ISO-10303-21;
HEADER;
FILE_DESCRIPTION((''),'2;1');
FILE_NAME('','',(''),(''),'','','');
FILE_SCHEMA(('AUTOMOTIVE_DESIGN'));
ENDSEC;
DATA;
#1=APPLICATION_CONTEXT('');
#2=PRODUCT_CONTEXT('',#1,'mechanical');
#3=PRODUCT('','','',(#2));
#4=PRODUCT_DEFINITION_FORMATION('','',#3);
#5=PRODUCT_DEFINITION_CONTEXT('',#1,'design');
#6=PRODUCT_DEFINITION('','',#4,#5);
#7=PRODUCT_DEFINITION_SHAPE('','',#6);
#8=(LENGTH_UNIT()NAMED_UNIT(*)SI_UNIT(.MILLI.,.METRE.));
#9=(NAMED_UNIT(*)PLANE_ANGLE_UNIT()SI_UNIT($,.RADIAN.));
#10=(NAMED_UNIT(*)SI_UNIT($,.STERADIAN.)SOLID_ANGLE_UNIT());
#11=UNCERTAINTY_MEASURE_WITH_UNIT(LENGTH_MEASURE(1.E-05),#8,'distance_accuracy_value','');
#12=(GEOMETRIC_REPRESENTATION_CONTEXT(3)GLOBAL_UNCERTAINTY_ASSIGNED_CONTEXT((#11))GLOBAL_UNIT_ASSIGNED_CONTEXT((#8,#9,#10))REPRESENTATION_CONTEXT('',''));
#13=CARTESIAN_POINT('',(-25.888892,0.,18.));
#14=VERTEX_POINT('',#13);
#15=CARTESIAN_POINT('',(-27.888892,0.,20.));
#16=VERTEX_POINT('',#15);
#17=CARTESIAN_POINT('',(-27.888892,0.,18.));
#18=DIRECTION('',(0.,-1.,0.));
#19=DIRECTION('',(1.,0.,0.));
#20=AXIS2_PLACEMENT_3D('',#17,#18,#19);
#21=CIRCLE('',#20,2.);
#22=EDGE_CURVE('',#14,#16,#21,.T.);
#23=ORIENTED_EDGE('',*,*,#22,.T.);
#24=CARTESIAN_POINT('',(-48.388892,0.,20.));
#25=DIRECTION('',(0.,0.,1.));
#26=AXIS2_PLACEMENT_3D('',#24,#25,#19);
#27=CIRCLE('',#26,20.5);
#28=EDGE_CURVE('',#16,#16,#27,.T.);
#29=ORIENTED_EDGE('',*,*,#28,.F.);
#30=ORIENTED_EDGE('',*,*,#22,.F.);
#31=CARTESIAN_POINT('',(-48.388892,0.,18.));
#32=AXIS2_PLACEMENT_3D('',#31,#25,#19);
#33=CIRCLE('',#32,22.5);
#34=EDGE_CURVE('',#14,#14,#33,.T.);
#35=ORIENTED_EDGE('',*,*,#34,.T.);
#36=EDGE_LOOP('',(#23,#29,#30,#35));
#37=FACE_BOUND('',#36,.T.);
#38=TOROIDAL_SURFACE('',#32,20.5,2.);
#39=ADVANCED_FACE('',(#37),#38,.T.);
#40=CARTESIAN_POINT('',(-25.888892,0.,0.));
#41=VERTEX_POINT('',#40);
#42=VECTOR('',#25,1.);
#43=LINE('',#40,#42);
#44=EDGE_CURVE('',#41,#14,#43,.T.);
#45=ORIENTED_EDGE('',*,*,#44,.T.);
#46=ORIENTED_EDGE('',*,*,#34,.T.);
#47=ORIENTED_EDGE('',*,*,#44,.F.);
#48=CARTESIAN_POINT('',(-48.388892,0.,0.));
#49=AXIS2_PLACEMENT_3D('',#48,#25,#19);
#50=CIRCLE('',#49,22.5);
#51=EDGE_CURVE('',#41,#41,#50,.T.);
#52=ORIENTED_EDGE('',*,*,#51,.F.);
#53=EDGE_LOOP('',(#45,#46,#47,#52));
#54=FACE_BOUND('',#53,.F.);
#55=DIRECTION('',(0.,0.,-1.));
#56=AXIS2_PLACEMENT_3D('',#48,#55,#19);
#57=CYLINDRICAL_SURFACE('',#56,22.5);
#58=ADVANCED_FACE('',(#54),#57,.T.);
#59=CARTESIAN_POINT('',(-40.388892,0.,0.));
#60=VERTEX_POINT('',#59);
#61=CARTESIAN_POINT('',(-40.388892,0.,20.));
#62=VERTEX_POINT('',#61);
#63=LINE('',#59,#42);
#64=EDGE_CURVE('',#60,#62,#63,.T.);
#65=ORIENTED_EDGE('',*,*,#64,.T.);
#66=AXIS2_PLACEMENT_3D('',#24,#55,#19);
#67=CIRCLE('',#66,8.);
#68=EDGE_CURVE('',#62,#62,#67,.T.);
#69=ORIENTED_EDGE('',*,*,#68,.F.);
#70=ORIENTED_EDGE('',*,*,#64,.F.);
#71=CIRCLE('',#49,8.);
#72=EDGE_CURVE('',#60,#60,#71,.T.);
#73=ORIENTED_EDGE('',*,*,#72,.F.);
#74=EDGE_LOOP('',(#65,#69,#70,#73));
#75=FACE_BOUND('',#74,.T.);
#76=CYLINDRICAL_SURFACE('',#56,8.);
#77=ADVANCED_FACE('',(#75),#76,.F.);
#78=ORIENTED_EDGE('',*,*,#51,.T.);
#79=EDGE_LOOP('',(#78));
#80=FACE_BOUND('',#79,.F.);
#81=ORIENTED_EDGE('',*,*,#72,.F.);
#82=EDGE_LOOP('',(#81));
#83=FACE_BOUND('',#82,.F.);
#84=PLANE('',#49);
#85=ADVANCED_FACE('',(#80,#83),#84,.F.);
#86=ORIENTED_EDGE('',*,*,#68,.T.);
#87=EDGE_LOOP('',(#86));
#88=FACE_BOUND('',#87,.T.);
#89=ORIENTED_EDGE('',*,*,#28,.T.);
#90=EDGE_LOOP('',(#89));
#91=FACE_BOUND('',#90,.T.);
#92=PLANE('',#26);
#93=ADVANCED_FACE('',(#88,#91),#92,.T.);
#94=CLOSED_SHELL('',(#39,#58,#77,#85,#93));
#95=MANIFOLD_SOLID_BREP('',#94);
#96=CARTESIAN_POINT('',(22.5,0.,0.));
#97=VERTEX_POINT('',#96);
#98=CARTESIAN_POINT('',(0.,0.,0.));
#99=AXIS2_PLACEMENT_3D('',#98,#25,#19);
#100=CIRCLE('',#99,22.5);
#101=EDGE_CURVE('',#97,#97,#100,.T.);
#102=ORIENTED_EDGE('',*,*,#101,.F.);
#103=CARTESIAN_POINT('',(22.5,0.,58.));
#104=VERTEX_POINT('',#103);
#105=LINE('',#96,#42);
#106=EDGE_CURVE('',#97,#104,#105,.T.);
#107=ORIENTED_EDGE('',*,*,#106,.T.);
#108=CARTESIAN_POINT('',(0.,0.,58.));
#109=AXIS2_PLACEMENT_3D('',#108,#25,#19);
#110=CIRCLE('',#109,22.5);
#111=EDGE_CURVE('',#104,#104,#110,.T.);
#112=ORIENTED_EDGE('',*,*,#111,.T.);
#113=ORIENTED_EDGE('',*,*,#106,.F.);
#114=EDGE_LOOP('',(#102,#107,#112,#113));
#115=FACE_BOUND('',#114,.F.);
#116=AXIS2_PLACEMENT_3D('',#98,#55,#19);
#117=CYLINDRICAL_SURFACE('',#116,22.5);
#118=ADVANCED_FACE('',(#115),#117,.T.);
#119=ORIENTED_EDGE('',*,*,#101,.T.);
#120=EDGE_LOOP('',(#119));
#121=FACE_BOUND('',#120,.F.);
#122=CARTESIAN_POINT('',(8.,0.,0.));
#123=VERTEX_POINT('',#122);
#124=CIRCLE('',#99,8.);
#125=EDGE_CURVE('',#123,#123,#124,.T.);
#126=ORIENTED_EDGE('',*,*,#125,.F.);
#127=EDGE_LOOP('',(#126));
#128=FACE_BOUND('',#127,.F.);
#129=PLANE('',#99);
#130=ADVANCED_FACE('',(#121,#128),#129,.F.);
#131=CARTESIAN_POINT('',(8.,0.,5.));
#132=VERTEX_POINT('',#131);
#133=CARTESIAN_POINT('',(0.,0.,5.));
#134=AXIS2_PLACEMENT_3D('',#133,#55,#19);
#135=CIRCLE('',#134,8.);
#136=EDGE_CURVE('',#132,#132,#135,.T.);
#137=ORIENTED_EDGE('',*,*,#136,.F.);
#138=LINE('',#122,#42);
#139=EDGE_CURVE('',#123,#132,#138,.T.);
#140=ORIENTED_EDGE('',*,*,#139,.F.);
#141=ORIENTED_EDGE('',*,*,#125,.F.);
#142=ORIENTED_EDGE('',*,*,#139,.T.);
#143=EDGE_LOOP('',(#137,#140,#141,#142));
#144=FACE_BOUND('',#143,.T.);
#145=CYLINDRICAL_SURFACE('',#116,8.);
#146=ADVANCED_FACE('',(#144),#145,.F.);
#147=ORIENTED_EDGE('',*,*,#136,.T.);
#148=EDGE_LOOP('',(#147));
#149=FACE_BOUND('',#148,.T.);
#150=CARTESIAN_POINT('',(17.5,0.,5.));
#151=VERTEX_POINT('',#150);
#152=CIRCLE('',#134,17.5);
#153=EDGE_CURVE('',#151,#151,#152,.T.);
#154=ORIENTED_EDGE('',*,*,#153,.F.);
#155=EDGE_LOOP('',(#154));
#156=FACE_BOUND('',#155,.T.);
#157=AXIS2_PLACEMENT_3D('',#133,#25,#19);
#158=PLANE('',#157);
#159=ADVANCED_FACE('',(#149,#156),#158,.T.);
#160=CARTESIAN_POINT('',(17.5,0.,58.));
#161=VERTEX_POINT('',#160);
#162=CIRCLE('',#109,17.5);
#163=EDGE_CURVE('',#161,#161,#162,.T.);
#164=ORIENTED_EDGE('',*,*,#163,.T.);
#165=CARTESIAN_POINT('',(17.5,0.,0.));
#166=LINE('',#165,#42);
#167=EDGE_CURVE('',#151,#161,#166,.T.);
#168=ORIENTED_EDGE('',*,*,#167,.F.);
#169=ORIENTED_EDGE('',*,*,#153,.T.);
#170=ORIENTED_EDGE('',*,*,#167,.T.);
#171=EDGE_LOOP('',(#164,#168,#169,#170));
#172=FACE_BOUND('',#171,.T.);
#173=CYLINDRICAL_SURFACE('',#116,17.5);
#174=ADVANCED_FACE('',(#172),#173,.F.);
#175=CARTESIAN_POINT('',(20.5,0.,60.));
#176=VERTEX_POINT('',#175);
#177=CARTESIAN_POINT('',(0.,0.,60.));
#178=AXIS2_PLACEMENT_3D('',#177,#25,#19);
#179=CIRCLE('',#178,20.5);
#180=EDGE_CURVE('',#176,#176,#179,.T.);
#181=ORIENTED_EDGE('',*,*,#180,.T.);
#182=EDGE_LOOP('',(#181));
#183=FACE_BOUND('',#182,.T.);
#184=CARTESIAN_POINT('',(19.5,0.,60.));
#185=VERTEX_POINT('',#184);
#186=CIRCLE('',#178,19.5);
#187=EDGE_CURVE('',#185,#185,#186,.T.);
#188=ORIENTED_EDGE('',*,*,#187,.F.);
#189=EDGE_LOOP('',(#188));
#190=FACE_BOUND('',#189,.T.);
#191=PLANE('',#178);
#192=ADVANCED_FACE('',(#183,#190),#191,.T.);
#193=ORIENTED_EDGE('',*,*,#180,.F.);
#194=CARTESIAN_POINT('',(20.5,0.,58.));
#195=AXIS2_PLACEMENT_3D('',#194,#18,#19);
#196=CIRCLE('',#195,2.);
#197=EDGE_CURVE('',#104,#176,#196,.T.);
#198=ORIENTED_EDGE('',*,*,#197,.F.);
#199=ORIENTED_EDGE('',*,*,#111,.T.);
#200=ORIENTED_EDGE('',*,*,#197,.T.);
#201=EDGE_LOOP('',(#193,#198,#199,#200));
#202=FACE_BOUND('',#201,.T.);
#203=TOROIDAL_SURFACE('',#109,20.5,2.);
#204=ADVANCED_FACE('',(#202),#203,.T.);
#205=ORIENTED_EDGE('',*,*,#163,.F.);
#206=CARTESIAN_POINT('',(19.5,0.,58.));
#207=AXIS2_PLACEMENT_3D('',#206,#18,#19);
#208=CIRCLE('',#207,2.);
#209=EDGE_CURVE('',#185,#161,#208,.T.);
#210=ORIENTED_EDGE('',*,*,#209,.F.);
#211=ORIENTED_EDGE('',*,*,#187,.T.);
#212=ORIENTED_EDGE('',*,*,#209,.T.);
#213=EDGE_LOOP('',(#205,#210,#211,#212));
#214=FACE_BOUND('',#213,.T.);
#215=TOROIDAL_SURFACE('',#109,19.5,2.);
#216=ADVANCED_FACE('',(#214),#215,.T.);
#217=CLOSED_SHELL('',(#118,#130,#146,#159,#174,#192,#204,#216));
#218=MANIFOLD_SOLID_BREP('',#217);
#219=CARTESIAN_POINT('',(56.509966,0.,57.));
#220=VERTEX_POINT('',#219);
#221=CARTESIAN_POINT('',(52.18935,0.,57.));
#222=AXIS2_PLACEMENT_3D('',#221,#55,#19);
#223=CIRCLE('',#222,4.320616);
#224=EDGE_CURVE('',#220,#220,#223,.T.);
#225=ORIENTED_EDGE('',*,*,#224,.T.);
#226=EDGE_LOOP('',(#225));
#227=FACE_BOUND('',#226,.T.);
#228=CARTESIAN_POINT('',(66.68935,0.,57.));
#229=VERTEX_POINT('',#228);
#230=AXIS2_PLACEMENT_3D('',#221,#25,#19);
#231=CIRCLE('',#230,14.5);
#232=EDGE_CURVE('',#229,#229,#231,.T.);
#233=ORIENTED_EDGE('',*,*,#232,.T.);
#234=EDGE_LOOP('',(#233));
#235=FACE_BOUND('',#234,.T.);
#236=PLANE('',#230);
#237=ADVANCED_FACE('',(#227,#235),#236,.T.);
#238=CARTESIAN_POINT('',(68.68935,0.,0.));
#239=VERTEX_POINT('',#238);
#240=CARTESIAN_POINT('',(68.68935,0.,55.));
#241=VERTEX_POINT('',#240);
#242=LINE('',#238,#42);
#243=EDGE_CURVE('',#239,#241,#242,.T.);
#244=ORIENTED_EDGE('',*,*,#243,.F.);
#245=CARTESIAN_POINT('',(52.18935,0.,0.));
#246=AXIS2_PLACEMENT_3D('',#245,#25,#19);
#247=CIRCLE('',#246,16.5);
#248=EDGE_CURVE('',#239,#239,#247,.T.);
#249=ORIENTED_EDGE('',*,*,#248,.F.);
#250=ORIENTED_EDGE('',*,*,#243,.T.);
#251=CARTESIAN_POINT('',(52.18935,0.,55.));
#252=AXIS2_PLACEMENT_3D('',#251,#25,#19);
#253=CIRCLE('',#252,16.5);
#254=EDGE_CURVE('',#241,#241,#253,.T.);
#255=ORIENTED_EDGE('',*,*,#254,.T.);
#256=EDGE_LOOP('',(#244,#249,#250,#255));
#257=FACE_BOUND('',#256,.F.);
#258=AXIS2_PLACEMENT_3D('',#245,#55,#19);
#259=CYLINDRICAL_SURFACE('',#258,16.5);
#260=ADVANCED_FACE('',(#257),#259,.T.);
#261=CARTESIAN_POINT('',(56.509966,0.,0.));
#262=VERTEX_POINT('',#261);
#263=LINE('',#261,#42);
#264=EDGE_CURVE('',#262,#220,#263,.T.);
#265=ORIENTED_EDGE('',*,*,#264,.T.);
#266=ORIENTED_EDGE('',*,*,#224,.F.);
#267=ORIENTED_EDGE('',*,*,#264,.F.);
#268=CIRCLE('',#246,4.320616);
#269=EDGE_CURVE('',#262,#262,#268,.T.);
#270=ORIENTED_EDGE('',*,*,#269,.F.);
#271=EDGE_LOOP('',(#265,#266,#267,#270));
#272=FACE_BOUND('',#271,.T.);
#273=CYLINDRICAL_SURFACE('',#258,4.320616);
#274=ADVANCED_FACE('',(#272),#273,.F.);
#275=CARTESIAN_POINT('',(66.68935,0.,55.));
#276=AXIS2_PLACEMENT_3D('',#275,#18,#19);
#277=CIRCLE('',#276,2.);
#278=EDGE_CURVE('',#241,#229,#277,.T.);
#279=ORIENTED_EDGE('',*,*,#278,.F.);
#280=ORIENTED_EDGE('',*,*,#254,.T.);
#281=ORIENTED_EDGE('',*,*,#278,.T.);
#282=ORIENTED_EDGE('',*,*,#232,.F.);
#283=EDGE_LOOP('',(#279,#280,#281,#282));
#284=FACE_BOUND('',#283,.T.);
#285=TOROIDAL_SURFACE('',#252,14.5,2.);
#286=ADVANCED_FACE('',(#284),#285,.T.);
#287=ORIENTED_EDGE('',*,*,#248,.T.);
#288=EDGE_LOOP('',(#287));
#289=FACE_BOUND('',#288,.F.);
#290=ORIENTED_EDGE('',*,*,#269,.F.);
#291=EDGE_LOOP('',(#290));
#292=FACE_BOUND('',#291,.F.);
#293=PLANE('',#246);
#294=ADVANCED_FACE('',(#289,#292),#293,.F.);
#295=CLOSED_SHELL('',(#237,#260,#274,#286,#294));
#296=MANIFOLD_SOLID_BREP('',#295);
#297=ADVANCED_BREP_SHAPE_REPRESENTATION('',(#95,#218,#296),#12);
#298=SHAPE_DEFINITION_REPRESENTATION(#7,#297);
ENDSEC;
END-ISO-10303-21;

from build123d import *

# Parameters (mm, degrees)
F0_R     = 22.5
F1_DEPTH = 60
F2_T     = -5
F3_R     = 16.5
F4_DEPTH = 57
F5_R     = 22.5
F6_DEPTH = 20
F7_R     = 2
F7_2_R   = 2
F7_3_R   = 2
F8_R     = 8
F8_R_2   = 4.3206160925
F9_DEPTH = 104.9


with BuildPart() as f1:
    # F0 (on Top) → F1 (new body)
    with BuildSketch(Plane.XY):
        Circle(F0_R)
    extrude(amount=F1_DEPTH)

    # F2
    f2_openings = [f1.faces().sort_by_distance(p)[0] for p in [
        (0, 0, 60),
    ]]
    offset(amount=F2_T, openings=f2_openings)

    # F7#2
    f7_2_edges = [f1.edges().sort_by_distance(p)[0] for p in [
        (-17.5, 0, 60),
        (-22.5, 0, 60),
    ]]
    fillet(f7_2_edges, radius=F7_2_R)


with BuildPart() as f4:
    # F3 (on Top) → F4 (new body)
    with BuildSketch(Plane.XY):
        with Locations((52.1893501282, 0)):
            Circle(F3_R)
    extrude(amount=F4_DEPTH)

    # F7
    f7_edges = [f4.edges().sort_by_distance(p)[0] for p in [
        (35.68935, 0, 57),
    ]]
    fillet(f7_edges, radius=F7_R)


with BuildPart() as f6:
    # F5 (on Top) → F6 (new body)
    with BuildSketch(Plane.XY):
        with Locations((-48.3888917542, 0)):
            Circle(F5_R)
    extrude(amount=F6_DEPTH)

    # F7#3
    f7_3_edges = [f6.edges().sort_by_distance(p)[0] for p in [
        (-70.888892, 0, 20),
    ]]
    fillet(f7_3_edges, radius=F7_3_R)


with BuildPart() as f9_tool:
    # F8 (on Top) → F9 (new body)
    with BuildSketch(Plane.XY):
        with Locations((-48.3888917542, 0)):
            Circle(F8_R)
        with Locations((52.1893501282, 0)):
            Circle(F8_R_2)
        Circle(F8_R)
    extrude(amount=F9_DEPTH)


with BuildPart() as f1_1:
    add(f1.part)

    # F9: cut by f9_tool
    add(f9_tool.part, mode=Mode.SUBTRACT)


with BuildPart() as f4_1:
    add(f4.part)

    # F9: cut by f9_tool
    add(f9_tool.part, mode=Mode.SUBTRACT)


with BuildPart() as f6_1:
    add(f6.part)

    # F9: cut by f9_tool
    add(f9_tool.part, mode=Mode.SUBTRACT)


solid = Compound([f1_1.part, f4_1.part, f6_1.part])
